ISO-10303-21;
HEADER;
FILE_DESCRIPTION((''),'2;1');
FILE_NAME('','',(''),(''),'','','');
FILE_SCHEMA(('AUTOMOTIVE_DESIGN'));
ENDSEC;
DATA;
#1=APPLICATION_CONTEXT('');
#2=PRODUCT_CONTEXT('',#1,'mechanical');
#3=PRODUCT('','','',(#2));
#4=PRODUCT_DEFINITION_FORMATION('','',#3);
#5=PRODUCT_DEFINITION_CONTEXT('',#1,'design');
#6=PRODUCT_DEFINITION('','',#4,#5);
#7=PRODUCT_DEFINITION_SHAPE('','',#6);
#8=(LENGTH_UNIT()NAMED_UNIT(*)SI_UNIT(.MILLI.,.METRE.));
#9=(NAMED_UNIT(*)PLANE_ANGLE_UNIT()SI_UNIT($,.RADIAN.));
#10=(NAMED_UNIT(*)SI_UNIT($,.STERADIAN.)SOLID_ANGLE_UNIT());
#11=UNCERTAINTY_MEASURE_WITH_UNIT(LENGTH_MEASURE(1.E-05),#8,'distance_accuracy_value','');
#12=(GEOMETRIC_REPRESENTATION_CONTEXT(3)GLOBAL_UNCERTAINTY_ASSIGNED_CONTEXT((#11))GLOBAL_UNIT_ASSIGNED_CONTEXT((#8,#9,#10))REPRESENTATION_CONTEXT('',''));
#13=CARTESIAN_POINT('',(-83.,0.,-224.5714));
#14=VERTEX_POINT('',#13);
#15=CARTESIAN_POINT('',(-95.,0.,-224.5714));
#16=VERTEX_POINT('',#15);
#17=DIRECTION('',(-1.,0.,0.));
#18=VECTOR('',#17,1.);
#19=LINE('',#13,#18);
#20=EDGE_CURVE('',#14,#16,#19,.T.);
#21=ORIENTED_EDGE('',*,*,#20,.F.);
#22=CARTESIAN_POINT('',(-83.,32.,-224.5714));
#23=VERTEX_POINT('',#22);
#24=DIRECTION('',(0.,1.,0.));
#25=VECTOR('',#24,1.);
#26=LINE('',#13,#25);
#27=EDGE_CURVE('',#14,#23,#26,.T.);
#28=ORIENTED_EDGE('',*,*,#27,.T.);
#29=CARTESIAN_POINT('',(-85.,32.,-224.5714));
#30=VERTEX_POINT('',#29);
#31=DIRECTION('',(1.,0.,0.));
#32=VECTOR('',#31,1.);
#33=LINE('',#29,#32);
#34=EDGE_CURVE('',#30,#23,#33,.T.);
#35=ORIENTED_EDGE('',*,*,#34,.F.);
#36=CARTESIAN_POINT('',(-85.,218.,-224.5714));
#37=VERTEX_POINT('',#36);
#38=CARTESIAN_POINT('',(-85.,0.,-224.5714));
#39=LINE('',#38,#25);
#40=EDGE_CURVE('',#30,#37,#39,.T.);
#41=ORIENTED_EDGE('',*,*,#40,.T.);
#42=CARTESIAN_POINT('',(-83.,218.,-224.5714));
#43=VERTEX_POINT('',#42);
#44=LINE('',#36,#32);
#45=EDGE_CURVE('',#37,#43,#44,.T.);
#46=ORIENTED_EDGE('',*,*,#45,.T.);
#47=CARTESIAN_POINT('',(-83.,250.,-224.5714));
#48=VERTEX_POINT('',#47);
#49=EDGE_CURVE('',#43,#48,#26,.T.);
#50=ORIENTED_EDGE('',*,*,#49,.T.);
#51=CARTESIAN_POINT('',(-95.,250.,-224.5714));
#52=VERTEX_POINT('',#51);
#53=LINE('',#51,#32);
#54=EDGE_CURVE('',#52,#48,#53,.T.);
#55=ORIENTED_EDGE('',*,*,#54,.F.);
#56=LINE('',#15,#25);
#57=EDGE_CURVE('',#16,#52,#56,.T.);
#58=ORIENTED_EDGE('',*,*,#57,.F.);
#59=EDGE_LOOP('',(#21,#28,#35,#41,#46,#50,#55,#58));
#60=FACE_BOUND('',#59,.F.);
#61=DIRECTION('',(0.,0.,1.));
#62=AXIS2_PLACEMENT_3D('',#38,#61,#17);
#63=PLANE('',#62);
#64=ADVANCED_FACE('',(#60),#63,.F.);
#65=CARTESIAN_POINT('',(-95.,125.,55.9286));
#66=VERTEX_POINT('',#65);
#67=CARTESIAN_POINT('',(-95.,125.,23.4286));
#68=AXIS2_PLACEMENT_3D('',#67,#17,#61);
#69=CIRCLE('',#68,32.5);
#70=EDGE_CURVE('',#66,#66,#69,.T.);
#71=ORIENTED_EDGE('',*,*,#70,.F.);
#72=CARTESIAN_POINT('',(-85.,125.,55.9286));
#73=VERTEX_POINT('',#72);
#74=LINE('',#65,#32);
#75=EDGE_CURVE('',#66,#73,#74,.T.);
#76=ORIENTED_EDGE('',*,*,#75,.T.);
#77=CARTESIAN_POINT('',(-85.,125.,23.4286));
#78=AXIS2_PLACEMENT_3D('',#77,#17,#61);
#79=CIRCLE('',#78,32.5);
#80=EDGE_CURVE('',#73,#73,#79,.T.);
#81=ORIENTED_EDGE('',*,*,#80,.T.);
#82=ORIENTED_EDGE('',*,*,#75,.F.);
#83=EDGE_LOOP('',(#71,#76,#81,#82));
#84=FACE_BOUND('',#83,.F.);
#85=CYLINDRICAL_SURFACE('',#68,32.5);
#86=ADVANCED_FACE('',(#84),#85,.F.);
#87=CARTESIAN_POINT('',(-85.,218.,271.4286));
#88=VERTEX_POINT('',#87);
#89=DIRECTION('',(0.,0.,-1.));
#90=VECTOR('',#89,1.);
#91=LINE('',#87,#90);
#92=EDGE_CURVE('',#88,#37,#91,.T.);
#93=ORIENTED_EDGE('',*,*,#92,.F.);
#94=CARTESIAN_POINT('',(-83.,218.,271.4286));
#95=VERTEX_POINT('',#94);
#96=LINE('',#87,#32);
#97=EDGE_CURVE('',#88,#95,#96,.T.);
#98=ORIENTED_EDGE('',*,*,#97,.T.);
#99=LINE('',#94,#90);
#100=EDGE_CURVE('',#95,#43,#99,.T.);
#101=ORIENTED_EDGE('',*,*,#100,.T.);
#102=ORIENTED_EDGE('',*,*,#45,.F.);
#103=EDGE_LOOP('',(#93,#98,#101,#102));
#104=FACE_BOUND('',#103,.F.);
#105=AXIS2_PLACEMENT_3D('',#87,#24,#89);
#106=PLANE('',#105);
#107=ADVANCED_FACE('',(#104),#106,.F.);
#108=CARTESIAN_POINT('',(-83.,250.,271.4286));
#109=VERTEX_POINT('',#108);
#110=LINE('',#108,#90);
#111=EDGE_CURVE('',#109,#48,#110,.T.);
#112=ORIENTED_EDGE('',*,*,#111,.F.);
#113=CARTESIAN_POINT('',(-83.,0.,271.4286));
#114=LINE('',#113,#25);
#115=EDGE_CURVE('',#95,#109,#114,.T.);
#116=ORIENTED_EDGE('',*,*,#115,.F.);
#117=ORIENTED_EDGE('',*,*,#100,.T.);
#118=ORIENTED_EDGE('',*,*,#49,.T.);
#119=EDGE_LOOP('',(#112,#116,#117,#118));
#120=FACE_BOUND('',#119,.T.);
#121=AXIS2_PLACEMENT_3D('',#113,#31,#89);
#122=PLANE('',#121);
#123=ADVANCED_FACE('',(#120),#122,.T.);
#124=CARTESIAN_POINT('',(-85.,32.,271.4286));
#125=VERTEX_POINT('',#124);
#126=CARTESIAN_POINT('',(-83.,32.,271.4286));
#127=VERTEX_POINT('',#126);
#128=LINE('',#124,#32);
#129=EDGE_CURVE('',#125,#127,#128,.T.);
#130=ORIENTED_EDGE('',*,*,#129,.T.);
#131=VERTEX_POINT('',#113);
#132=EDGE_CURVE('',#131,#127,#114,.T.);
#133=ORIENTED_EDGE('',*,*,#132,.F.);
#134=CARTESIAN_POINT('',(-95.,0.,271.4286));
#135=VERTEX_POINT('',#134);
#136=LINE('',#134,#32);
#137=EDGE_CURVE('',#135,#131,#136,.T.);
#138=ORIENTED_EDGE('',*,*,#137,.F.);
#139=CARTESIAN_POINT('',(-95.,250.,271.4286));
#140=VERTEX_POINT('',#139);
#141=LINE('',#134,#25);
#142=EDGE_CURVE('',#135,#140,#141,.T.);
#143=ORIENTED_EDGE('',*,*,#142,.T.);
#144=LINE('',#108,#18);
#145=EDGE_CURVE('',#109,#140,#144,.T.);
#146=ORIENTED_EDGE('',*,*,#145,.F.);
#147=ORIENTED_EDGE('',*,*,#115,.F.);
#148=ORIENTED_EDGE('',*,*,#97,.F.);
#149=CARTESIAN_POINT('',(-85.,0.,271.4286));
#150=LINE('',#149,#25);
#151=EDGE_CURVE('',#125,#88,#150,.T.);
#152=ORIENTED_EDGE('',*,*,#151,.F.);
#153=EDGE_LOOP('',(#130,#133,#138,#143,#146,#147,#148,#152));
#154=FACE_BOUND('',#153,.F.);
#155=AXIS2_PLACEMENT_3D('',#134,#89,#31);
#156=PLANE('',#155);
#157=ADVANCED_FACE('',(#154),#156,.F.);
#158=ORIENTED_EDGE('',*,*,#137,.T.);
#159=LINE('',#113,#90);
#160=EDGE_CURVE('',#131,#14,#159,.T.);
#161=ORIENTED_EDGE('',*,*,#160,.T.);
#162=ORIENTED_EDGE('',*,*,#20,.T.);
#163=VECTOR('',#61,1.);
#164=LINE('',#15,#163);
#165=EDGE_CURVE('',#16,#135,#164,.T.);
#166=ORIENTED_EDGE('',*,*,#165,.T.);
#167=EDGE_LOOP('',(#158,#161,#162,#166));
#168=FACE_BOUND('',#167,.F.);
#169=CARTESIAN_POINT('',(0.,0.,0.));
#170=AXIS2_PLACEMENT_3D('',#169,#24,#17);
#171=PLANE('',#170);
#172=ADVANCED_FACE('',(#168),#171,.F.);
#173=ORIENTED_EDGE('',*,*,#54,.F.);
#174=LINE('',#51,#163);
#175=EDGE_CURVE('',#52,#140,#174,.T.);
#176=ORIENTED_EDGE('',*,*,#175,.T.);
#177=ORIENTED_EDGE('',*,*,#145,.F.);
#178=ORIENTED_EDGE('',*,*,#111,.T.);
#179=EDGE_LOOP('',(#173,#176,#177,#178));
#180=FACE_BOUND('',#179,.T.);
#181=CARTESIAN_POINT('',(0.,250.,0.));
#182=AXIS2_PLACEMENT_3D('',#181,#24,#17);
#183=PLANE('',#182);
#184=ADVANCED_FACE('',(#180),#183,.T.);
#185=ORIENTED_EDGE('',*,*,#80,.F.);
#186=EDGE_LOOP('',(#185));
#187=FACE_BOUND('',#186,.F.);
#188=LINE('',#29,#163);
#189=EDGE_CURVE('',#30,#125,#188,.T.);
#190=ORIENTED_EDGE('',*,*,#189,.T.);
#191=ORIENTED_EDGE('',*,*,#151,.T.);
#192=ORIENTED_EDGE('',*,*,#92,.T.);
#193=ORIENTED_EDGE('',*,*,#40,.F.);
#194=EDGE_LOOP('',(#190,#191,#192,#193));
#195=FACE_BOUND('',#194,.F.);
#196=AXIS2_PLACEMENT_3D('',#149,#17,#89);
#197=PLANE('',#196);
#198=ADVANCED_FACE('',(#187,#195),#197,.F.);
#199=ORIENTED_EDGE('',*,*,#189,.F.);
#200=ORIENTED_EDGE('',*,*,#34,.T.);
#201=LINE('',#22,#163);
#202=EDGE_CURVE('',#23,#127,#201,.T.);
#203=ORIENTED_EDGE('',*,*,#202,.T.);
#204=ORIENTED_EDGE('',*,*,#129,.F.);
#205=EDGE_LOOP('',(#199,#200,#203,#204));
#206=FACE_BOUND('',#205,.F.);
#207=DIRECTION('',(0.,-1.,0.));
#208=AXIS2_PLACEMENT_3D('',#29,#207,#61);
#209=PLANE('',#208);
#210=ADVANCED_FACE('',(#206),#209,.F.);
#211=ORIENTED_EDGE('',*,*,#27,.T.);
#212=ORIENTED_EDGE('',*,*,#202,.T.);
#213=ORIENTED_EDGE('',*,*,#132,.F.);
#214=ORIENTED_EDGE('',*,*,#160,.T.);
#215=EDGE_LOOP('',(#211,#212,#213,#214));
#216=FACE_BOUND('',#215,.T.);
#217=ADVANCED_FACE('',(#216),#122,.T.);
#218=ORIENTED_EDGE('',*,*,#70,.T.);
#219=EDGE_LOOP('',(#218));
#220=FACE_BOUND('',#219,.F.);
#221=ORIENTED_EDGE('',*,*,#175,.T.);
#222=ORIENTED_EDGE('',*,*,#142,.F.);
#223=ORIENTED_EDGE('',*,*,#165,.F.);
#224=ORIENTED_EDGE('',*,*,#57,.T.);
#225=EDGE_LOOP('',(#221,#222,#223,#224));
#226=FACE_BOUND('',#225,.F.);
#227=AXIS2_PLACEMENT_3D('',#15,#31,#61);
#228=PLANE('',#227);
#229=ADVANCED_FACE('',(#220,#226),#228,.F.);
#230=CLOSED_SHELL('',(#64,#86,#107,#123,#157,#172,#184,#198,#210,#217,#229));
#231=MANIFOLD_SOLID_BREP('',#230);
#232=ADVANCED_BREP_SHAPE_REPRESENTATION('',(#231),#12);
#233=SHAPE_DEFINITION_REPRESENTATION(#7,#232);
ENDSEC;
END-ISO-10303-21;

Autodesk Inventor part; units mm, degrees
ref_plane "YZ Plane" through (0, 0, 0) normal (1, 0, 0) x (0, 1, 0)
ref_plane "XZ Plane" through (0, 0, 0) normal (0, 1, 0) x (-1, 0, 0)
ref_plane "XY Plane" through (0, 0, 0) normal (0, 0, 1) x (1, 0, 0)
sketch "Sketch1" plane through (0, 0, 0) normal (0, 1, 0) x (-1, 0, 0)
  line L0 (95, 271.4286) -> (85, 271.4286)
  line L1 (85, 271.4286) -> (85, -224.5714)
  line L2 (85, -224.5714) -> (95, -224.5714)
  line L3 (95, -224.5714) -> (95, 271.4286)
  point P0 (0, 0)
  dimension "d0" = 10
  dimension "d1" = 496
extrude "Extrusion1" add sketch "Sketch1" along normal blind 250
sketch "Sketch2" plane through (-85, 0, 271.4286) normal (1, 0, 0) x (0, 0, -1)
  line L0 (0, 0) -> (0, 250) projected
  line L1 (496, 0) -> (496, 250) projected
  line L2 (0, 218) -> (496, 218)
  line L3 (496, 218) -> (496, 32)
  line L4 (496, 32) -> (0, 32)
  line L5 (0, 32) -> (0, 218)
  line L6 (0, 250) -> (496, 250) projected
  line L7 (0, 0) -> (496, 0) projected
  point P0 (271.4286, 0)
  point P1 (0, 32)
  point P2 (496, 218)
  dimension "d4" = 32
  dimension "d5" = 32
  dimension "d6" = 186
extrude "Extrusion3" add sketch "Sketch2" along normal blind 2 contours L0 L4 L1 L7 | L0 L6 L1 L2
sketch "Sketch3" plane through (-95, 0, -224.5714) normal (-1, 0, 0) x (0, 0, 1)
  line L0 (0, 250) -> (496, 250) projected
  circle A0 centre (248, 250) radius 8
  line L1 (496, 32) -> (496, 218) projected
  circle A1 centre (496, 125) radius 12
  circle A2 centre (248, 125) radius 32.5
  point P0 (224.5714, 0)
  dimension "d11" = 65
extrude "Extrusion4" cut sketch "Sketch3" against normal blind 35 contours A2
properties part number "Osnova" material "Aluminum 6061"
